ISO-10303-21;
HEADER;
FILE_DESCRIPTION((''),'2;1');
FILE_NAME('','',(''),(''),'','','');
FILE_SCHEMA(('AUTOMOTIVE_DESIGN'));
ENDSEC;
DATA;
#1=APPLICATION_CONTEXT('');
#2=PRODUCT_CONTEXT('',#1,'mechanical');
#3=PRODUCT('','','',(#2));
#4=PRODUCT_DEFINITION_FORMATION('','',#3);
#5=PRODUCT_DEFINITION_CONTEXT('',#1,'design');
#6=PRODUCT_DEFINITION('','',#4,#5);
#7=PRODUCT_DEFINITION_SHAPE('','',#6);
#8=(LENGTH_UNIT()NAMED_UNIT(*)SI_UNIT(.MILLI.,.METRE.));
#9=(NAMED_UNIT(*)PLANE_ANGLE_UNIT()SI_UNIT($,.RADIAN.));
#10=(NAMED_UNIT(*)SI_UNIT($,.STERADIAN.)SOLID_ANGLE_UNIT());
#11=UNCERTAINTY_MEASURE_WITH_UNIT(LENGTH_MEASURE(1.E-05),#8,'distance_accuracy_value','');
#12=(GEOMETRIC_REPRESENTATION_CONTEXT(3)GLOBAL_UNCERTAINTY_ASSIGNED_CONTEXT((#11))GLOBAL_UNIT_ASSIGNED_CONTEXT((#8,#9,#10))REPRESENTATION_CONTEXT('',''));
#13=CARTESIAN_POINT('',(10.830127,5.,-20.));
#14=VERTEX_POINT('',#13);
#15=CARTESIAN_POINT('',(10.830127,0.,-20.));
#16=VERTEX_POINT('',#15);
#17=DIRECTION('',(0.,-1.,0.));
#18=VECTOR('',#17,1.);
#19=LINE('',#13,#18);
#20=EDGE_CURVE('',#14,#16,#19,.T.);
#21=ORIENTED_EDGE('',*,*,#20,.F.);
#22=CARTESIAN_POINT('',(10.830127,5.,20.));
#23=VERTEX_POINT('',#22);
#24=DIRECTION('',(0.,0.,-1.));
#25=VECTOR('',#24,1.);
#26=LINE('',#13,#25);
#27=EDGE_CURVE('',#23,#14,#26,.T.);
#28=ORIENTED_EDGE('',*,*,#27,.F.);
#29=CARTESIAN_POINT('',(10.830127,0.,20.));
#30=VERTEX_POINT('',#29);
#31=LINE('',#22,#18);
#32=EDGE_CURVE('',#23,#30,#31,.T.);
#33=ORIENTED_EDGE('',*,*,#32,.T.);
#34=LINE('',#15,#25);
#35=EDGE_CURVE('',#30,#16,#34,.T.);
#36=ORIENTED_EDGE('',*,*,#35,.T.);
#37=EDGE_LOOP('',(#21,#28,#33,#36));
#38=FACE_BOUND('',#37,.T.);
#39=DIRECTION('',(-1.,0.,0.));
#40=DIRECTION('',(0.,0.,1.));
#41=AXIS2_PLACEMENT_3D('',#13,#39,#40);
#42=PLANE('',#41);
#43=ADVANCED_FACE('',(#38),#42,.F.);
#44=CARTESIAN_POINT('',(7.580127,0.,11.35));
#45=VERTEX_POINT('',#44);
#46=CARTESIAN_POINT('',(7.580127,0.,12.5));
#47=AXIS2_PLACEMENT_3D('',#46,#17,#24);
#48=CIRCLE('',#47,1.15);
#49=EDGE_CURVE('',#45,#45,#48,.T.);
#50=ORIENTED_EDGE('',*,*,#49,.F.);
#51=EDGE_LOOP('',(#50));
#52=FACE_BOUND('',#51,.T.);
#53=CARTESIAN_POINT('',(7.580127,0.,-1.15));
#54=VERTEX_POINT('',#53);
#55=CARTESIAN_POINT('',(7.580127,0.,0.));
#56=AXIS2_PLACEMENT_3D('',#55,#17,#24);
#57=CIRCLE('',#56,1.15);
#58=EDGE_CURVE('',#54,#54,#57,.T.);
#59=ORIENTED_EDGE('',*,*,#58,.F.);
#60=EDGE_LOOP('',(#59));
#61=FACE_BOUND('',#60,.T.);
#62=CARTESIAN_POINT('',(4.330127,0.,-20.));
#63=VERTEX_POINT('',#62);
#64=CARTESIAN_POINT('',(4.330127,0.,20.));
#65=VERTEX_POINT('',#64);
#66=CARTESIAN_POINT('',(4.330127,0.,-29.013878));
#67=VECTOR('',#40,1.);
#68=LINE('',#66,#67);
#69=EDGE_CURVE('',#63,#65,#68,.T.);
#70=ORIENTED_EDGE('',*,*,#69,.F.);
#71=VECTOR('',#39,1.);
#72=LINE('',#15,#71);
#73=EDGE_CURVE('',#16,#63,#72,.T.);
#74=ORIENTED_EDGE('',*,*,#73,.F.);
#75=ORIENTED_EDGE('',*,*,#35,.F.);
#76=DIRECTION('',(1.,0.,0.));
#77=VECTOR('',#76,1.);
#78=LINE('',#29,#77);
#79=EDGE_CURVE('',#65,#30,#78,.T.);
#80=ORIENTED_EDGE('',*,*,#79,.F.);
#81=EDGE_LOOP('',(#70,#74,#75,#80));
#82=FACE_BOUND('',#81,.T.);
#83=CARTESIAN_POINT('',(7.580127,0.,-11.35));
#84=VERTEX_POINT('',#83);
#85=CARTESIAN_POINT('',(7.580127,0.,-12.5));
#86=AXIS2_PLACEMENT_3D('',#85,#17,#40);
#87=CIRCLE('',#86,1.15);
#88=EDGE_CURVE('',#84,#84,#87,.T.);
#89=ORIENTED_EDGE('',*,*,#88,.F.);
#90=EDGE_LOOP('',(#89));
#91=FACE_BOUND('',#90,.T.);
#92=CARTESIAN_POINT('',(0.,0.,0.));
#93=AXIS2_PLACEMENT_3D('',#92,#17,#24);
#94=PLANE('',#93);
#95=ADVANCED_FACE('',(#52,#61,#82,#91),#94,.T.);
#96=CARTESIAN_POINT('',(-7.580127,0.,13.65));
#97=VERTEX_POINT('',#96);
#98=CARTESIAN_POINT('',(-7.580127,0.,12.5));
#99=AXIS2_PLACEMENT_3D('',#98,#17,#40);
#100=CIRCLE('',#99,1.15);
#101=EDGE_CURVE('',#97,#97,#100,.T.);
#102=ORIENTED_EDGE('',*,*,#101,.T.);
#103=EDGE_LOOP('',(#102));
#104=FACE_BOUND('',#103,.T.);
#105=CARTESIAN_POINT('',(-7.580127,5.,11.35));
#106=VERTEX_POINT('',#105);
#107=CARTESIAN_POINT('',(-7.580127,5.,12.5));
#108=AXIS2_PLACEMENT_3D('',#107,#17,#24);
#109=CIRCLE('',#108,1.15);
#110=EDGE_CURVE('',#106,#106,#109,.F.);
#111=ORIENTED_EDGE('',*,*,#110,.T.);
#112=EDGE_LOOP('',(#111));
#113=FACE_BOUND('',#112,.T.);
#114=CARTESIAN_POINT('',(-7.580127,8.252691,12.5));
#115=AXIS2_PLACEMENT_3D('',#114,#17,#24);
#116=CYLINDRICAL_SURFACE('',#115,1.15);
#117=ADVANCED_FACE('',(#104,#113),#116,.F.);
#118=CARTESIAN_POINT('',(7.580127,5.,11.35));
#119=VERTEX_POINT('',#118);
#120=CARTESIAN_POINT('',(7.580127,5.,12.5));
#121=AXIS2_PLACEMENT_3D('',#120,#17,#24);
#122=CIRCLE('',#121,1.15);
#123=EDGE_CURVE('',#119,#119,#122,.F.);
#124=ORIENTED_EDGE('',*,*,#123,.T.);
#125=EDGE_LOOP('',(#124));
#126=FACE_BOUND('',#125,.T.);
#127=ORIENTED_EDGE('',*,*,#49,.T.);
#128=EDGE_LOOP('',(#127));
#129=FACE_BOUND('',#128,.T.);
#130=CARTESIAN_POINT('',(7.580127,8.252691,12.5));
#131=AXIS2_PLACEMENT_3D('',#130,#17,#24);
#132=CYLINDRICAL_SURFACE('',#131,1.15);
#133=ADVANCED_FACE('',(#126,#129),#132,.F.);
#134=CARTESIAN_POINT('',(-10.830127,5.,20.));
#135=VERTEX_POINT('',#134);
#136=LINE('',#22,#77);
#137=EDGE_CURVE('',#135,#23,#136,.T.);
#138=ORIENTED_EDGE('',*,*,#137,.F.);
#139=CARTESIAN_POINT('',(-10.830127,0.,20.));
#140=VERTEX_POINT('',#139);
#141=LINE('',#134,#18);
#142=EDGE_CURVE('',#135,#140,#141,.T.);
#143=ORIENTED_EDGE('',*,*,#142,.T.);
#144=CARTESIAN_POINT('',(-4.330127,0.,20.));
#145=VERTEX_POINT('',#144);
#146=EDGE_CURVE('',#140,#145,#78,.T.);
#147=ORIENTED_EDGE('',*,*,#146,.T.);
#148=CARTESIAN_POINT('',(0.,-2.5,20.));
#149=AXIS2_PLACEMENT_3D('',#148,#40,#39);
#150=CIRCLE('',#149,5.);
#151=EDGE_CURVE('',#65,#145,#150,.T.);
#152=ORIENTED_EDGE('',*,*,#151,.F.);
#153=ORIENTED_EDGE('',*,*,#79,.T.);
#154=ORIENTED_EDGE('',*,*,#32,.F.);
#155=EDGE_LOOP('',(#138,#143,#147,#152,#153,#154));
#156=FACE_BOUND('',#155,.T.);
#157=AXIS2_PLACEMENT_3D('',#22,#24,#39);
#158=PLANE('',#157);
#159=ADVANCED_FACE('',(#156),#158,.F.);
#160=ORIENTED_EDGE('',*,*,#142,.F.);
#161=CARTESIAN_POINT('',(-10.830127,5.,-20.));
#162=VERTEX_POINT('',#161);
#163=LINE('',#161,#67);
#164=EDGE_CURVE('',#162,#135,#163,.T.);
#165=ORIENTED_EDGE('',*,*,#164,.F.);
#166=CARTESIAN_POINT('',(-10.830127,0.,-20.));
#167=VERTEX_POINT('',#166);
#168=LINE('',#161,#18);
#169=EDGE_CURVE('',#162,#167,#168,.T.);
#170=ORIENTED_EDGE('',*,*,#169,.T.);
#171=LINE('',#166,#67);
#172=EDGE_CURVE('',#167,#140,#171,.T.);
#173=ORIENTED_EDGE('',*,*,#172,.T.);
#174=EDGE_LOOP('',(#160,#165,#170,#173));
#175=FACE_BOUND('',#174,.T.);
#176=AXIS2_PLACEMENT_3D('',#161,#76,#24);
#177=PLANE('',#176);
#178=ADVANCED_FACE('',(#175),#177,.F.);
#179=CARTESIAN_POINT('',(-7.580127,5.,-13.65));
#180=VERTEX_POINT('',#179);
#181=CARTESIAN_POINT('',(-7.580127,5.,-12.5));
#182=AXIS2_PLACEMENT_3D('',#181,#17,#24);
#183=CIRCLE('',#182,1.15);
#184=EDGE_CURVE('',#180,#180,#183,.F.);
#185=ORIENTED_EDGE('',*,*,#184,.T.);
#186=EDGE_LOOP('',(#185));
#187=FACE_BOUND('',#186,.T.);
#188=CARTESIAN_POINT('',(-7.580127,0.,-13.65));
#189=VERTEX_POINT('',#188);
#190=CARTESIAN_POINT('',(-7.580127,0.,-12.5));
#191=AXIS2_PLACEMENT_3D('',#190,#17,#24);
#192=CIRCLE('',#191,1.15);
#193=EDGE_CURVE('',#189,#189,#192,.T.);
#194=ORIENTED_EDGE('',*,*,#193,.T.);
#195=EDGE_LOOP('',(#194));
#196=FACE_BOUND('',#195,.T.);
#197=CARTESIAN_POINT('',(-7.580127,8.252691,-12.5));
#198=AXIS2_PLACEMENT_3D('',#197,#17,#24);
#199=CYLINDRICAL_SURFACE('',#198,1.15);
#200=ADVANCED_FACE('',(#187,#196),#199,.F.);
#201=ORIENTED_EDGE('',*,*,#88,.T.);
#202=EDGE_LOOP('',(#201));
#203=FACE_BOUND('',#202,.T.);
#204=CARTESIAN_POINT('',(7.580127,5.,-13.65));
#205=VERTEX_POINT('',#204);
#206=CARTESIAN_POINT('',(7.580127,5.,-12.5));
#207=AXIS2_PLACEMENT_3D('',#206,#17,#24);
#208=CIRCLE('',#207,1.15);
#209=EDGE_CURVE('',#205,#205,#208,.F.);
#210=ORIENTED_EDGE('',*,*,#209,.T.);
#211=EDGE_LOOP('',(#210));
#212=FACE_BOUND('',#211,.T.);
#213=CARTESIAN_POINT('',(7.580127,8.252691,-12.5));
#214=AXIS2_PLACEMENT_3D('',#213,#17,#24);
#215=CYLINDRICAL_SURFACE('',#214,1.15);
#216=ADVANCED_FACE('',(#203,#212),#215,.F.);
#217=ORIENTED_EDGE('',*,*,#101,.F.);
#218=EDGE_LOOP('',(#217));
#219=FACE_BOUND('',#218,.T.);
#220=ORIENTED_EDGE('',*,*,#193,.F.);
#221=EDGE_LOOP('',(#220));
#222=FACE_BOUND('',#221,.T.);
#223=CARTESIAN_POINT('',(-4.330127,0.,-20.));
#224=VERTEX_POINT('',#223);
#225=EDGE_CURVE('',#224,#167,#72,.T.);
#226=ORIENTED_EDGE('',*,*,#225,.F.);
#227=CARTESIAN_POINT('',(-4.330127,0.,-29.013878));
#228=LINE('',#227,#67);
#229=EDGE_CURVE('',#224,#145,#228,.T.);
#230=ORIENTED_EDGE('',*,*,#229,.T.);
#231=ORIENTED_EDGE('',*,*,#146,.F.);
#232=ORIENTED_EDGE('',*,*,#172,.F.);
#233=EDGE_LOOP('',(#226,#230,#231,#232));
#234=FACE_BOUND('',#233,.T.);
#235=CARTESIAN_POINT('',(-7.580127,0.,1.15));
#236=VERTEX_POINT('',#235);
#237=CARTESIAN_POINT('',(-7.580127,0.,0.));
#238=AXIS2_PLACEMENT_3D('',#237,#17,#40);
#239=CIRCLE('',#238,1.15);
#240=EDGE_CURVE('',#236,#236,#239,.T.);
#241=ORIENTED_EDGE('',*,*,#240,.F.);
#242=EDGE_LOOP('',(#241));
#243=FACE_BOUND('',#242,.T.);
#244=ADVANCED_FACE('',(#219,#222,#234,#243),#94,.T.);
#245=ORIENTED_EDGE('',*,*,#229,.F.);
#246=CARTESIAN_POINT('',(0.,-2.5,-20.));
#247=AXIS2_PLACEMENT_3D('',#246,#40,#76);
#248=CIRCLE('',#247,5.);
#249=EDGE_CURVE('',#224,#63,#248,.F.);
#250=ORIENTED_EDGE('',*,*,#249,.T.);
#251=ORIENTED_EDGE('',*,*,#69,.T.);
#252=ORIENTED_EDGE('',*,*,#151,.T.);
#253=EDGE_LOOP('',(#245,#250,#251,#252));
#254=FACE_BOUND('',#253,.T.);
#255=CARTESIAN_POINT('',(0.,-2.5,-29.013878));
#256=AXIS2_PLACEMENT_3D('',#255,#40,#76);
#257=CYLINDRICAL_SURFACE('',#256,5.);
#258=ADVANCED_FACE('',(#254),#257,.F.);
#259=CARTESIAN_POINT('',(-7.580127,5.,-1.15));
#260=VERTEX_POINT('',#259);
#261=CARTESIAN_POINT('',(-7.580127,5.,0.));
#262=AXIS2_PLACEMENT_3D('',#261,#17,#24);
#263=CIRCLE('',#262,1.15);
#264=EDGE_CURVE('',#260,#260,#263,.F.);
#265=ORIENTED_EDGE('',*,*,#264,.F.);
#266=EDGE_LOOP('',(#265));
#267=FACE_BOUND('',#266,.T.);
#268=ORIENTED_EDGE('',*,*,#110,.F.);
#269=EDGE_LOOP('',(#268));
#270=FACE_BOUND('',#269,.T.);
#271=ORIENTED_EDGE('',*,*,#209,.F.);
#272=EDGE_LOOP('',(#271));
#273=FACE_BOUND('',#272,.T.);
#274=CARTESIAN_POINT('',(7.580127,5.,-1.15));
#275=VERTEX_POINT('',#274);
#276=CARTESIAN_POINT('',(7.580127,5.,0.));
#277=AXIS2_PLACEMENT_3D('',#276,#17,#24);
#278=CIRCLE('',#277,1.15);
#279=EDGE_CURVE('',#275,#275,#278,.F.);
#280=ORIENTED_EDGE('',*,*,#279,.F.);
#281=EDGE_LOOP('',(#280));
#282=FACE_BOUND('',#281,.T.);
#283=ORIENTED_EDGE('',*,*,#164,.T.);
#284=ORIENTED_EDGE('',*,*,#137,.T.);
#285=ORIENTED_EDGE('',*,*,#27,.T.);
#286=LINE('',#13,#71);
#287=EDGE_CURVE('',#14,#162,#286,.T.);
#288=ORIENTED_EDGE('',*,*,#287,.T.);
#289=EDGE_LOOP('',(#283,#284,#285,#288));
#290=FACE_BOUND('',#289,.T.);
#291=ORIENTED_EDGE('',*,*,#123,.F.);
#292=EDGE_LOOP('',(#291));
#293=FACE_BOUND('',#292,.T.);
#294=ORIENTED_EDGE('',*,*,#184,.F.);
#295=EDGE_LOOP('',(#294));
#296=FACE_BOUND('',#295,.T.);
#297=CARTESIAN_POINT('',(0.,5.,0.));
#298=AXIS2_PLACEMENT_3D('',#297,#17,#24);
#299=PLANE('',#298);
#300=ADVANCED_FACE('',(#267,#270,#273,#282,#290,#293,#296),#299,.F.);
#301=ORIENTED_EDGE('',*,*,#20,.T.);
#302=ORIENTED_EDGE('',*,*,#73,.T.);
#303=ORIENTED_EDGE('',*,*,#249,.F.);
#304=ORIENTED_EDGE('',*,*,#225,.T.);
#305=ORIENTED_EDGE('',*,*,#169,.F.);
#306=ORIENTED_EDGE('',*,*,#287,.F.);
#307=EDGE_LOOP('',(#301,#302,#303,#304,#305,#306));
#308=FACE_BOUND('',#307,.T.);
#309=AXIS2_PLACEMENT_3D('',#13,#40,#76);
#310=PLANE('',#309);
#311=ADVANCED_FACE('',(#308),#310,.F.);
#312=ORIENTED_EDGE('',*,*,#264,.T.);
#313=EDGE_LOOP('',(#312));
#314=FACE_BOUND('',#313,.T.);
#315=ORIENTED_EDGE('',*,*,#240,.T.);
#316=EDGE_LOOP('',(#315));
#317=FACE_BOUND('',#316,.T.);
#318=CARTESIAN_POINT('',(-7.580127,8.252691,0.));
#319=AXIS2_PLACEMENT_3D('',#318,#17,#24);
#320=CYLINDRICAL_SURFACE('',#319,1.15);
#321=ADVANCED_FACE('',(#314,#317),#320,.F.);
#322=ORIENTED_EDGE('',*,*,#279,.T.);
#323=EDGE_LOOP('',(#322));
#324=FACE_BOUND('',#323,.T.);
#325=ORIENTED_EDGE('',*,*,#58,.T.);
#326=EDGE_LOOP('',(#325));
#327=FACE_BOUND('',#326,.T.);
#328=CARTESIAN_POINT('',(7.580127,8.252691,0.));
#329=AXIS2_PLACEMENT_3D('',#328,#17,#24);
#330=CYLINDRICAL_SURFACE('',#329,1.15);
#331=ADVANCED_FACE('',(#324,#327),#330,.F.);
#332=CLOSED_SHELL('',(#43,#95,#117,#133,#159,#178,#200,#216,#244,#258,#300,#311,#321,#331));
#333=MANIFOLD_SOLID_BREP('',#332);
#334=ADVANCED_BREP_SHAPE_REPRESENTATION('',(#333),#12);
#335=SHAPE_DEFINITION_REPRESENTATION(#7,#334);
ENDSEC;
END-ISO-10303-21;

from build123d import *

# Parameters (mm, degrees)
SKETCH_1_W          = 21.66025404
SKETCH_1_H          = 40
EXTRUDE_1_DEPTH     = 5
CUT_EXTRUDE_1_DEPTH = 40
SKETCH_3_R          = 1.15
CUT_EXTRUDE_2_DEPTH = 5


with BuildPart() as part:
    # Эскиз1 → Бобышка-Вытянуть1 (new body)
    with BuildSketch(Plane(origin=(0, 0, 0), x_dir=(1, 0, 0), z_dir=(0, 1, 0))):
        Rectangle(SKETCH_1_W, SKETCH_1_H)
    extrude(amount=EXTRUDE_1_DEPTH)

    # Эскиз2 → Вырез-Вытянуть1 (cut)
    with BuildSketch(Plane.XY.offset(20)):
        with BuildLine():
            Line((-4.33012702, 0), (4.33012702, 0))
            ThreePointArc((4.33012702, 0), (0, 2.500000002), (-4.33012702, 0))
        make_face()
    extrude(amount=-CUT_EXTRUDE_1_DEPTH, mode=Mode.SUBTRACT)

    # Эскиз3 → Вырез-Вытянуть2 (cut)
    with BuildSketch(Plane.XZ):
        with Locations(Location((7.58012702, 12.5, 0), (0, 0, 270))):
            Circle(SKETCH_3_R)
        with Locations(Location((7.58012702, -12.5, 0), (0, 0, 270))):
            Circle(SKETCH_3_R)
        with Locations(Location((7.58012702, 0, 0), (0, 0, 270))):
            Circle(SKETCH_3_R)
        with Locations(Location((-7.58012702, -12.5, 0), (0, 0, 270))):
            Circle(SKETCH_3_R)
        with Locations(Location((-7.58012702, 0, 0), (0, 0, 270))):
            Circle(SKETCH_3_R)
        with Locations(Location((-7.58012702, 12.5, 0), (0, 0, 270))):
            Circle(SKETCH_3_R)
    extrude(amount=-CUT_EXTRUDE_2_DEPTH, mode=Mode.SUBTRACT)


solid = part.part
